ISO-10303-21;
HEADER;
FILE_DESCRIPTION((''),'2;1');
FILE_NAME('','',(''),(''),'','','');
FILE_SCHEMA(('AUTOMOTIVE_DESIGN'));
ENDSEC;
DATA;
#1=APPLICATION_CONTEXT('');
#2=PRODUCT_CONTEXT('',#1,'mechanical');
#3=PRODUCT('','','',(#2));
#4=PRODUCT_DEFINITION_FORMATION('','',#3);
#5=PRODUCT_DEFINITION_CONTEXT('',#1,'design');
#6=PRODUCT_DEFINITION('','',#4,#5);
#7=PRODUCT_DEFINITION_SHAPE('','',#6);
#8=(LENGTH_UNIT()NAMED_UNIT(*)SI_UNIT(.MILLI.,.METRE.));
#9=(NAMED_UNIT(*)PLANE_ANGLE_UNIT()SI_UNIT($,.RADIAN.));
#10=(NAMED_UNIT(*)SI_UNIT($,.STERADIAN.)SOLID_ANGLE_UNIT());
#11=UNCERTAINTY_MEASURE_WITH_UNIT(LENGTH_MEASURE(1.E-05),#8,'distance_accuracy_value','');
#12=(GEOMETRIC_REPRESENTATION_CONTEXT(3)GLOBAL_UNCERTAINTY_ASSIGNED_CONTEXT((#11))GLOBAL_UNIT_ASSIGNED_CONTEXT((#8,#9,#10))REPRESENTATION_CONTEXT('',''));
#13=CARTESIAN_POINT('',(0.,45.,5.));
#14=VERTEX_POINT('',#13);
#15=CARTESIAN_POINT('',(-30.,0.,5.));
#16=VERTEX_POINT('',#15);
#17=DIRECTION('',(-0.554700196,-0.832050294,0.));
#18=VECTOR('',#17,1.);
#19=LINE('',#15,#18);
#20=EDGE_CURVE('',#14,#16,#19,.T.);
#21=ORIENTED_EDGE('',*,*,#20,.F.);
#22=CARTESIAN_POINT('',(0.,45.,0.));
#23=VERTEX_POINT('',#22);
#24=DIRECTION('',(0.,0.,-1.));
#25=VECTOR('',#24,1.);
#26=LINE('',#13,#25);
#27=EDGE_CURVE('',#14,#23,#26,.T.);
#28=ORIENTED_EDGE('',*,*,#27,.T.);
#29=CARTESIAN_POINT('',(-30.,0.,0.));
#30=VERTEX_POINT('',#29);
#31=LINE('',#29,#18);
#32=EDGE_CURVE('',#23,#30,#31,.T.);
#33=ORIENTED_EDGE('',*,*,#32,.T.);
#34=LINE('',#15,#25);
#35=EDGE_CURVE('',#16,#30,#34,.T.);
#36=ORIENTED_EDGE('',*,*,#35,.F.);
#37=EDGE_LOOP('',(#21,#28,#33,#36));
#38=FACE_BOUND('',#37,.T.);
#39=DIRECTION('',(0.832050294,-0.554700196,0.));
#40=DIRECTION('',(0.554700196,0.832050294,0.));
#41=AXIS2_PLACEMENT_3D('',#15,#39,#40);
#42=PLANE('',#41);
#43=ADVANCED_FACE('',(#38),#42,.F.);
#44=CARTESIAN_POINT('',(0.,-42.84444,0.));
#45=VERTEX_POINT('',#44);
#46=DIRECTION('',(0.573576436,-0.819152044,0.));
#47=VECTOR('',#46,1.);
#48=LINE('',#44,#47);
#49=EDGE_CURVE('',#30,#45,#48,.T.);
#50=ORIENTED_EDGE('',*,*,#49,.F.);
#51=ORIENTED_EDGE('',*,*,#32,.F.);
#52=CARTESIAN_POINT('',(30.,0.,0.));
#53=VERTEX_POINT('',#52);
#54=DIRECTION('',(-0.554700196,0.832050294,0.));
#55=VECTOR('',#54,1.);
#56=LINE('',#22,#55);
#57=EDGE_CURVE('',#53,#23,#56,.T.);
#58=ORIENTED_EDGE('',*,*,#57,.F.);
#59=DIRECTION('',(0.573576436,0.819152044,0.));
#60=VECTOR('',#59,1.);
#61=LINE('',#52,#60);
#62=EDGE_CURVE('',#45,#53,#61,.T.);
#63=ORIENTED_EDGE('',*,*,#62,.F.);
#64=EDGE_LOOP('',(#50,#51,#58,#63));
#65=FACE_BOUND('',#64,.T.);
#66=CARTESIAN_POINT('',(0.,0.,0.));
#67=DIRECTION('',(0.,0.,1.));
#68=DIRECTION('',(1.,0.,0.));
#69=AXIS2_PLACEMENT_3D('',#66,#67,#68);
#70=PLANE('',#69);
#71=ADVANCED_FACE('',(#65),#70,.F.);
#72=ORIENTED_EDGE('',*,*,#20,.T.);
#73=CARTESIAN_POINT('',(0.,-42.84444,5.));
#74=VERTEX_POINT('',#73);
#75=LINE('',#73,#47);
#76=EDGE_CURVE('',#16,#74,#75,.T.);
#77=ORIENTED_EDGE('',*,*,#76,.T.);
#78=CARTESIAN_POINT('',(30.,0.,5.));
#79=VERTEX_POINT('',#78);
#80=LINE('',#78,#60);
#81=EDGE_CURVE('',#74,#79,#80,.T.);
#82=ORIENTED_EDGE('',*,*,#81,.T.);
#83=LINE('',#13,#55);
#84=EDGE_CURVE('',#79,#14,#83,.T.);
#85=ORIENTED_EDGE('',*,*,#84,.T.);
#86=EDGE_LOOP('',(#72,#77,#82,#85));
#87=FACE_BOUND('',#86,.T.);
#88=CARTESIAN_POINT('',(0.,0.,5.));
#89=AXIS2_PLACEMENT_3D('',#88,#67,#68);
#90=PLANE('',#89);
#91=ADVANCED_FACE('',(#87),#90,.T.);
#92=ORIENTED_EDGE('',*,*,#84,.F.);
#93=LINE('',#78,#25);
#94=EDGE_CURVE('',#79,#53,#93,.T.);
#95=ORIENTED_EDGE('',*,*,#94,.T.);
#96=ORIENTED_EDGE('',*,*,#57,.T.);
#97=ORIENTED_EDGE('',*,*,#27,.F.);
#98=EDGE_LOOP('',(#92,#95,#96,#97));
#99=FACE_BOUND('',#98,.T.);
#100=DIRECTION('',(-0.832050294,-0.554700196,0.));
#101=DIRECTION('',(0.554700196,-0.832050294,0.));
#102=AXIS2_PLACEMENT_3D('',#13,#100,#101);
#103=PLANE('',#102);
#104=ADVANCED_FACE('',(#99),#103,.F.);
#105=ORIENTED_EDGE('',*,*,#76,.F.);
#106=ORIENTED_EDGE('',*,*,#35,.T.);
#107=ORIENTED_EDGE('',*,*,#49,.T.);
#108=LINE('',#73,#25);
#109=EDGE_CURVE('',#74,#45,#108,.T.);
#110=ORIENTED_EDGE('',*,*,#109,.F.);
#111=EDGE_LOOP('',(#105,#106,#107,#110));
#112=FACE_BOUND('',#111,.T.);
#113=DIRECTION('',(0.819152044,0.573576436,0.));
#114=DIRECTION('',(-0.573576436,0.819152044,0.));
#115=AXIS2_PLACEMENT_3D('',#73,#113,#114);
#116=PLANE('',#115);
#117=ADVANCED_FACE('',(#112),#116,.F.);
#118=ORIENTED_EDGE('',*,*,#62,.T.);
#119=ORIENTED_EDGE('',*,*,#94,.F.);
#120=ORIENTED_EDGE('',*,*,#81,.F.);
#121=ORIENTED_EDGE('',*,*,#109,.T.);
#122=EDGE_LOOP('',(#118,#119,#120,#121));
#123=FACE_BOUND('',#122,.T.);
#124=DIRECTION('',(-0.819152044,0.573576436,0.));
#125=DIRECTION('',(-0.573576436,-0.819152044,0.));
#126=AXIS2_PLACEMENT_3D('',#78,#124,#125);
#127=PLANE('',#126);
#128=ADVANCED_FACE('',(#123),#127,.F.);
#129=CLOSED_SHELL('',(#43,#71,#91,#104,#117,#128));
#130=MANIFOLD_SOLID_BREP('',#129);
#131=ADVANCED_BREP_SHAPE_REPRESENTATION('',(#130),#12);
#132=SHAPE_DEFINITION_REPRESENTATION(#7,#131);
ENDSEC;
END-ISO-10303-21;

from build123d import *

# Parameters (mm, degrees)
BOSS_EXTRUDE1_DEPTH = 5


with BuildPart() as part:
    # Sketch1 → Boss-Extrude1 (new body)
    with BuildSketch(Plane.XY):
        Polygon((0, 45), (30, 0), (0, -42.844440202), (-30, 0), align=None)
    extrude(amount=BOSS_EXTRUDE1_DEPTH)


solid = part.part
